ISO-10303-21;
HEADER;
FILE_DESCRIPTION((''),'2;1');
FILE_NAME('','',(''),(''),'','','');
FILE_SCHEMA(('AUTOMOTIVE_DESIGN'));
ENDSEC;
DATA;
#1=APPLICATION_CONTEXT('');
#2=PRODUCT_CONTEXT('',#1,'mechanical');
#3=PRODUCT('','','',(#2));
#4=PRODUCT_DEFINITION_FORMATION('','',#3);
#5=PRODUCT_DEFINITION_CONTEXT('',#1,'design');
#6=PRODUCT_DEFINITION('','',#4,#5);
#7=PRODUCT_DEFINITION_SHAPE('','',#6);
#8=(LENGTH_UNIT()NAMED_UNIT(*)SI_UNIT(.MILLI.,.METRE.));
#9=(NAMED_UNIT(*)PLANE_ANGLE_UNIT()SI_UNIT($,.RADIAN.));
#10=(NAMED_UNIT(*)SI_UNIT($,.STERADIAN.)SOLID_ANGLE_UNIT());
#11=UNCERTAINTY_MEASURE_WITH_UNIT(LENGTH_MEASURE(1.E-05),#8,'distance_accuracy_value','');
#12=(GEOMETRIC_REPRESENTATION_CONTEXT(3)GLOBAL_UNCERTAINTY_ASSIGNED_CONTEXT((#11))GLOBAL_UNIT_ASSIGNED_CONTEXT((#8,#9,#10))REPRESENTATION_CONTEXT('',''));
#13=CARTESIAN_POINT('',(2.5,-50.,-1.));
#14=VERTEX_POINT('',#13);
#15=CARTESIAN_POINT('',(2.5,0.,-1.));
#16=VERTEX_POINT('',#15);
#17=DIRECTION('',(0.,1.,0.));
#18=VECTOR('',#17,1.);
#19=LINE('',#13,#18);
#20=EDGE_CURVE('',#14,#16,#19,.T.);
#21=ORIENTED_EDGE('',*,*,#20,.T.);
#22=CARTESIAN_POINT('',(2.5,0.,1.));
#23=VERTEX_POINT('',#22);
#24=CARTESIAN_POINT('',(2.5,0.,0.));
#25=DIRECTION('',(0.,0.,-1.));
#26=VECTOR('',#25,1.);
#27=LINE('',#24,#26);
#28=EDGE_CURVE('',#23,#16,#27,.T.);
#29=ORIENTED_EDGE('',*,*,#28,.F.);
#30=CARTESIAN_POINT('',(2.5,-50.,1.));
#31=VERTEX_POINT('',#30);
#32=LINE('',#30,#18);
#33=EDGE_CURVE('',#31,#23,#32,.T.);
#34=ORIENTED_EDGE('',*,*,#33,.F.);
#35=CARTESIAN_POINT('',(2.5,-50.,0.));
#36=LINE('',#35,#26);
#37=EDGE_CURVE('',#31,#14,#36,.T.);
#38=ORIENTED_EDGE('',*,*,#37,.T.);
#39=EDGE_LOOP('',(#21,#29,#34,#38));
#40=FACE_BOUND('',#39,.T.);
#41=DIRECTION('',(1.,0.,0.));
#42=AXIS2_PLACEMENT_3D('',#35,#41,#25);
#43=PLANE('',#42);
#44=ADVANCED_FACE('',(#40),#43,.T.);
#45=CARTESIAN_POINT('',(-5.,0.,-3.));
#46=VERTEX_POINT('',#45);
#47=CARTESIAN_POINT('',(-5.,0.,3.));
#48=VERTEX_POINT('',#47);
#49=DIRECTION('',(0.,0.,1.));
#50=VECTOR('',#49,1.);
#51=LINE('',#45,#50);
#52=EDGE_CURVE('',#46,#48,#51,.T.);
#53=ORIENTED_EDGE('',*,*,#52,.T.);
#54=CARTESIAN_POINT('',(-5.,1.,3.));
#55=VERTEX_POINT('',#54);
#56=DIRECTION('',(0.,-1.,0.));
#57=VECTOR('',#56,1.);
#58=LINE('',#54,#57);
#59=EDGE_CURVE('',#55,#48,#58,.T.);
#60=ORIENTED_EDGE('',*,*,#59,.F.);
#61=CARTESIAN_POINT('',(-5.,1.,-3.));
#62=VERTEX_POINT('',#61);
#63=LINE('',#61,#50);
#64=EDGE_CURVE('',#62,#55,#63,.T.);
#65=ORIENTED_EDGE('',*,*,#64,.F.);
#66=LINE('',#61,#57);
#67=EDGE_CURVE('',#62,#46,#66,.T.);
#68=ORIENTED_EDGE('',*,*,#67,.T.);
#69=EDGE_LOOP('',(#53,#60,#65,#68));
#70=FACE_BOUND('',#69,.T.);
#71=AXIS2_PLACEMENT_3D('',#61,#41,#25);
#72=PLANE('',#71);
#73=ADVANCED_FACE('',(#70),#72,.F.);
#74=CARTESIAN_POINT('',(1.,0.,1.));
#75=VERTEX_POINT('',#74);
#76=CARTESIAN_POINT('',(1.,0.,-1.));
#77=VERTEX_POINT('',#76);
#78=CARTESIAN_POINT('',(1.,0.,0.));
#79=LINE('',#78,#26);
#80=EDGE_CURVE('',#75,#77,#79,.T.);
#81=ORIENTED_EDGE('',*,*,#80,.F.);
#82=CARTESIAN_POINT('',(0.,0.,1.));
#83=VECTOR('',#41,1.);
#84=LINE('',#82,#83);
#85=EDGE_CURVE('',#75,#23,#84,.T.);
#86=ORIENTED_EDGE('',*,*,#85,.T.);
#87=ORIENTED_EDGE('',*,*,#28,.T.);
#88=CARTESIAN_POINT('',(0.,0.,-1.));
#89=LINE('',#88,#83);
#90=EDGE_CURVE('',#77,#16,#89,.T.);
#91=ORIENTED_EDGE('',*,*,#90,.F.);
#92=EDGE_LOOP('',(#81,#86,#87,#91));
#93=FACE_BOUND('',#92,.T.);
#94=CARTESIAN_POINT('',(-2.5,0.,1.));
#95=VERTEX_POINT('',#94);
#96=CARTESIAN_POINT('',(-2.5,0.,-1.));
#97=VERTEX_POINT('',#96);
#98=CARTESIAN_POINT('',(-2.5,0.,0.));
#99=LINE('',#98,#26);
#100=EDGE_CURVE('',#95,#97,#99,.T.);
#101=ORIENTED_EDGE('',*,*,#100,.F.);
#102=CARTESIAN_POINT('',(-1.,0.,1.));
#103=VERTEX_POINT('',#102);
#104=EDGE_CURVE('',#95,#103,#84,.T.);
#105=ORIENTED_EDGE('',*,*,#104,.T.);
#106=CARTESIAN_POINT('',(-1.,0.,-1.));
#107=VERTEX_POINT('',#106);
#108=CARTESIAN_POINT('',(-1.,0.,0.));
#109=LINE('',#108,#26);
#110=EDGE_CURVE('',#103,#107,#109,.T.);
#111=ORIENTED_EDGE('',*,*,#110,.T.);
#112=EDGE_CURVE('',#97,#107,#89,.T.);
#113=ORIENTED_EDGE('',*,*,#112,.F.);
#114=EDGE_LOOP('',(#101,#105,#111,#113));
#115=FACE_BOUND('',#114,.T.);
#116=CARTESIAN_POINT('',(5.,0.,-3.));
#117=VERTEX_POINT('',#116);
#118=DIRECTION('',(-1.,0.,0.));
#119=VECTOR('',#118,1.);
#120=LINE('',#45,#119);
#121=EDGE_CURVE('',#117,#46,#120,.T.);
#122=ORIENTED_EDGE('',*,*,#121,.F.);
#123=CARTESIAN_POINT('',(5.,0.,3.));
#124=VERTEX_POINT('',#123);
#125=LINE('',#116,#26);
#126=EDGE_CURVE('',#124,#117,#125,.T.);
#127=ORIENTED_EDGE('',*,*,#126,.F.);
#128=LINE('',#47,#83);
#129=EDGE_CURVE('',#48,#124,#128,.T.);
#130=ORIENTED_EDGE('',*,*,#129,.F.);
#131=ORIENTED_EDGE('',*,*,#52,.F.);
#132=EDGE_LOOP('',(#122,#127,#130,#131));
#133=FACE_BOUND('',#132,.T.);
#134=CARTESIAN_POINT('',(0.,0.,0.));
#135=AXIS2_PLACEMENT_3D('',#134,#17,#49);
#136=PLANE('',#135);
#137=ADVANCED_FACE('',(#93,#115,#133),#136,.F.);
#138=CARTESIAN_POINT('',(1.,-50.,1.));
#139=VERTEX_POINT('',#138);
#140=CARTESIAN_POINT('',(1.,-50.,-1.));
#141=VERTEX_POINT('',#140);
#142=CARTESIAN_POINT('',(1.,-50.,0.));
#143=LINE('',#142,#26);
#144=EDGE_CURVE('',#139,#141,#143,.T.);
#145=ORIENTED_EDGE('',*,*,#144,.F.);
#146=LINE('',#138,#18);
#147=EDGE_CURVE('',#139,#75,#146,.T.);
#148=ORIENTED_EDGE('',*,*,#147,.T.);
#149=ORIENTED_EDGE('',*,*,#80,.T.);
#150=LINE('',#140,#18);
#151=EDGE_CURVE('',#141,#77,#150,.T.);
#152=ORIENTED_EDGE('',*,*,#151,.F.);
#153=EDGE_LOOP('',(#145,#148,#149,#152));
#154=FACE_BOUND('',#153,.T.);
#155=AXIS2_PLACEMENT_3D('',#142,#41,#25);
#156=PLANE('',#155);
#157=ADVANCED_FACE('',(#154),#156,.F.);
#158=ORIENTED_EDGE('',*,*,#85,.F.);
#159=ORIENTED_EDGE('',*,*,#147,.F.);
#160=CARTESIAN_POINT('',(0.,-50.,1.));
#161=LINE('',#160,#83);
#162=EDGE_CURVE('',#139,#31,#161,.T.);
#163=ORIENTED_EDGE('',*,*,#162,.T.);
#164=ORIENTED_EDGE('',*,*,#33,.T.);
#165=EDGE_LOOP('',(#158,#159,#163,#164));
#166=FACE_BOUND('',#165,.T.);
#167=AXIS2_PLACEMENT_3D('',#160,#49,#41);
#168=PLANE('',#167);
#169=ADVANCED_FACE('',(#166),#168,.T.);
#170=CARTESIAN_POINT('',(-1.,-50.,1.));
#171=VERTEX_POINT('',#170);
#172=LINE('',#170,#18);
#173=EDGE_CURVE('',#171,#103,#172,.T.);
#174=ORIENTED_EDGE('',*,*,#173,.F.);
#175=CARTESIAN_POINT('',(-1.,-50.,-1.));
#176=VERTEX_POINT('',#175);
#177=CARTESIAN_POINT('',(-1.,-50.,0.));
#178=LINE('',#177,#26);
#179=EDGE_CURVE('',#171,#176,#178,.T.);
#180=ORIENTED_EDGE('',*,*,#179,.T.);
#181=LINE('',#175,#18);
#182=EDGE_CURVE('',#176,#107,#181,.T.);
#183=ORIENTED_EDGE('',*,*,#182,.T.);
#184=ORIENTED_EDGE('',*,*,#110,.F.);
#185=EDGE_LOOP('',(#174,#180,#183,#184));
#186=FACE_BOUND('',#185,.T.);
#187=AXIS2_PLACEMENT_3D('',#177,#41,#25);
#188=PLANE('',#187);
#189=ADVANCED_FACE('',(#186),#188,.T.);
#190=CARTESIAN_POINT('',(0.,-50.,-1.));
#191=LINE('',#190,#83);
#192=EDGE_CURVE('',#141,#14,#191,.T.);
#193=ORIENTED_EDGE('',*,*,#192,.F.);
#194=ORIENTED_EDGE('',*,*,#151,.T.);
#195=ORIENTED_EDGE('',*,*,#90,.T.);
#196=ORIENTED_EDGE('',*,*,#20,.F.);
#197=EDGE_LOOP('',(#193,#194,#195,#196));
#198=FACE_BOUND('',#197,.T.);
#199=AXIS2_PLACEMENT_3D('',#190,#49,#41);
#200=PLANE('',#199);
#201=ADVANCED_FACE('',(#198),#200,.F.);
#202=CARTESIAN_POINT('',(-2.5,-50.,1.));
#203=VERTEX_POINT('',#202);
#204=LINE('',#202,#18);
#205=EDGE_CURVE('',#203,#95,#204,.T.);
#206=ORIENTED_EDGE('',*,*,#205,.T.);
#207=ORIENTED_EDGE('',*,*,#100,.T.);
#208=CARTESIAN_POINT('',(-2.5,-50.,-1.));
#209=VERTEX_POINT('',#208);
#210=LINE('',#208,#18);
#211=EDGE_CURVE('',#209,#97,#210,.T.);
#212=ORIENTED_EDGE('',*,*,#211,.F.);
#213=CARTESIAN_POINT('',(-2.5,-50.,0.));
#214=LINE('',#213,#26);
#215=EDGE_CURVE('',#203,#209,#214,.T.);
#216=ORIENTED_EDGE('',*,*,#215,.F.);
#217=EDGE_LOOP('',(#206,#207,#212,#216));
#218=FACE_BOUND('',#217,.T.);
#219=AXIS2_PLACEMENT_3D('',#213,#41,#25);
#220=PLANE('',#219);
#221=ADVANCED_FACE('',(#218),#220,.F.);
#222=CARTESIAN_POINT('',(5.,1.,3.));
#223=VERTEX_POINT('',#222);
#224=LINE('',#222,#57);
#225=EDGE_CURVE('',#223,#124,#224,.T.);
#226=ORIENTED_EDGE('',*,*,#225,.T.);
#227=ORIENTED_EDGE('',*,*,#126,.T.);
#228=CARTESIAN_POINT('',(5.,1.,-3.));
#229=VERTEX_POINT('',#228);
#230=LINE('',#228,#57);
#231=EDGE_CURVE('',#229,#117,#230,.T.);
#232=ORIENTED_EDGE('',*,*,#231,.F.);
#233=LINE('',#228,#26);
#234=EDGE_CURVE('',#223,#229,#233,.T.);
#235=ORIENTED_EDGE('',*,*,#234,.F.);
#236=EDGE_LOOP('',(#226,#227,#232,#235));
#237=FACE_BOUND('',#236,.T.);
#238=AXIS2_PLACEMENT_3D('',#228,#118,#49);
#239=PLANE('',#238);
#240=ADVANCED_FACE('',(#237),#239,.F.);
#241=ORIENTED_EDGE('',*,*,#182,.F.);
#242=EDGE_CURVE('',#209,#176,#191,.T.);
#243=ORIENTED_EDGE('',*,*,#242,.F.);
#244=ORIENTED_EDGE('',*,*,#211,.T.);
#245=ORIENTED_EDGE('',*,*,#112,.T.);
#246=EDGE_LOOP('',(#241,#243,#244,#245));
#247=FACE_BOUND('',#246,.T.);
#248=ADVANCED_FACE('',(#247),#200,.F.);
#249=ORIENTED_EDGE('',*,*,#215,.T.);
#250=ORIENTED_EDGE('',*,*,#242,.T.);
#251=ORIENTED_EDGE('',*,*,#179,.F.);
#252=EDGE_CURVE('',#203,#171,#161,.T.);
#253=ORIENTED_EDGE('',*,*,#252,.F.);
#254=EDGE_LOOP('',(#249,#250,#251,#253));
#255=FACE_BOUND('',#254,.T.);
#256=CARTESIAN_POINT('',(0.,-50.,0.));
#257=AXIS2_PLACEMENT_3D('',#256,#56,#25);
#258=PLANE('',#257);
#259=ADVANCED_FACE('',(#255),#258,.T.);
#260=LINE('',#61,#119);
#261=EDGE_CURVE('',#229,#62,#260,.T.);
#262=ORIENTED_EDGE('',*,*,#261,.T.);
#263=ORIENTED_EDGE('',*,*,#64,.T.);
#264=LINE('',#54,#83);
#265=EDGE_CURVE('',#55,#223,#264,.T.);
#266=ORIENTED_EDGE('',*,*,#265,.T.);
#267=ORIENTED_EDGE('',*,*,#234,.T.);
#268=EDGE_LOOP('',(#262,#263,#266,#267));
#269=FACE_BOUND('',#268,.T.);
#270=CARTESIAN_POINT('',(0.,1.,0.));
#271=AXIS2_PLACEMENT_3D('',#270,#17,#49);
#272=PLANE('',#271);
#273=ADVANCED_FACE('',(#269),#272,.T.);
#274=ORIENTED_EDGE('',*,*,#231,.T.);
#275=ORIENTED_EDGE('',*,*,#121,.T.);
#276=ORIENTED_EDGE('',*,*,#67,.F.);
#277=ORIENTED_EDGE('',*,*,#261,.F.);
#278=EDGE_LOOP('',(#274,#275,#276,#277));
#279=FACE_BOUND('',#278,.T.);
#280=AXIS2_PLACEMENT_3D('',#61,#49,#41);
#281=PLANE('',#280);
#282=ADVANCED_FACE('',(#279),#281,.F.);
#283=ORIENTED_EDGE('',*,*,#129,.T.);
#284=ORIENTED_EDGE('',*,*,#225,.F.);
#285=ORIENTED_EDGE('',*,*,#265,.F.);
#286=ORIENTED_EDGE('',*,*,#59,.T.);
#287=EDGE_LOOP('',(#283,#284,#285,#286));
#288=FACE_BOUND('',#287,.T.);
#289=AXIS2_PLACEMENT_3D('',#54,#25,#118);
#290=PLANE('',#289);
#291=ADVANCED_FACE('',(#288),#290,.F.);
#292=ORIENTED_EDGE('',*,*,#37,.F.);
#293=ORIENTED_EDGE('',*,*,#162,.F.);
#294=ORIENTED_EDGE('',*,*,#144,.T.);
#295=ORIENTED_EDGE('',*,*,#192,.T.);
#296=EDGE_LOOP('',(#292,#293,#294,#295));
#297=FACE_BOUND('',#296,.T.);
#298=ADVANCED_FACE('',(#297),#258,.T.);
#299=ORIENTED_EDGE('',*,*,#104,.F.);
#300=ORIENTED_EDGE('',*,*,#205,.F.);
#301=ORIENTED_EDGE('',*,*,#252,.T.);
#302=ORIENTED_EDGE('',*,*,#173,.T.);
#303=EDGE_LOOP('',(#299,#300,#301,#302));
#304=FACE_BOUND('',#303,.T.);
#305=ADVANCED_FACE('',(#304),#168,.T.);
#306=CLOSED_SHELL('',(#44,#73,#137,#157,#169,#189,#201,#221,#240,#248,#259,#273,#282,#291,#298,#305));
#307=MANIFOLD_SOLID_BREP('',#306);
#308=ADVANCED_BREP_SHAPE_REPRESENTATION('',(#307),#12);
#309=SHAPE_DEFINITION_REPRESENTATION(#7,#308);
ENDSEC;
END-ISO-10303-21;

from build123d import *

# Parameters (mm, degrees)
SKETCH1_W           = 10
SKETCH1_H           = 6
BOSS_EXTRUDE1_DEPTH = 1
SKETCH2_W           = 1.5
SKETCH2_H           = 2
BOSS_EXTRUDE2_DEPTH = 50


with BuildPart() as part:
    # Sketch1 → Boss-Extrude1 (new body)
    with BuildSketch(Plane(origin=(0, 0, 0), x_dir=(1, 0, 0), z_dir=(0, 1, 0))):
        Rectangle(SKETCH1_W, SKETCH1_H)
    extrude(amount=BOSS_EXTRUDE1_DEPTH)

    # Sketch2 → Boss-Extrude2 (add)
    with BuildSketch(Plane.XZ):
        with Locations((-1.75, 0)):
            Rectangle(SKETCH2_W, SKETCH2_H)
        with Locations((1.75, 0)):
            Rectangle(SKETCH2_W, SKETCH2_H)
    extrude(amount=BOSS_EXTRUDE2_DEPTH)


solid = part.part
